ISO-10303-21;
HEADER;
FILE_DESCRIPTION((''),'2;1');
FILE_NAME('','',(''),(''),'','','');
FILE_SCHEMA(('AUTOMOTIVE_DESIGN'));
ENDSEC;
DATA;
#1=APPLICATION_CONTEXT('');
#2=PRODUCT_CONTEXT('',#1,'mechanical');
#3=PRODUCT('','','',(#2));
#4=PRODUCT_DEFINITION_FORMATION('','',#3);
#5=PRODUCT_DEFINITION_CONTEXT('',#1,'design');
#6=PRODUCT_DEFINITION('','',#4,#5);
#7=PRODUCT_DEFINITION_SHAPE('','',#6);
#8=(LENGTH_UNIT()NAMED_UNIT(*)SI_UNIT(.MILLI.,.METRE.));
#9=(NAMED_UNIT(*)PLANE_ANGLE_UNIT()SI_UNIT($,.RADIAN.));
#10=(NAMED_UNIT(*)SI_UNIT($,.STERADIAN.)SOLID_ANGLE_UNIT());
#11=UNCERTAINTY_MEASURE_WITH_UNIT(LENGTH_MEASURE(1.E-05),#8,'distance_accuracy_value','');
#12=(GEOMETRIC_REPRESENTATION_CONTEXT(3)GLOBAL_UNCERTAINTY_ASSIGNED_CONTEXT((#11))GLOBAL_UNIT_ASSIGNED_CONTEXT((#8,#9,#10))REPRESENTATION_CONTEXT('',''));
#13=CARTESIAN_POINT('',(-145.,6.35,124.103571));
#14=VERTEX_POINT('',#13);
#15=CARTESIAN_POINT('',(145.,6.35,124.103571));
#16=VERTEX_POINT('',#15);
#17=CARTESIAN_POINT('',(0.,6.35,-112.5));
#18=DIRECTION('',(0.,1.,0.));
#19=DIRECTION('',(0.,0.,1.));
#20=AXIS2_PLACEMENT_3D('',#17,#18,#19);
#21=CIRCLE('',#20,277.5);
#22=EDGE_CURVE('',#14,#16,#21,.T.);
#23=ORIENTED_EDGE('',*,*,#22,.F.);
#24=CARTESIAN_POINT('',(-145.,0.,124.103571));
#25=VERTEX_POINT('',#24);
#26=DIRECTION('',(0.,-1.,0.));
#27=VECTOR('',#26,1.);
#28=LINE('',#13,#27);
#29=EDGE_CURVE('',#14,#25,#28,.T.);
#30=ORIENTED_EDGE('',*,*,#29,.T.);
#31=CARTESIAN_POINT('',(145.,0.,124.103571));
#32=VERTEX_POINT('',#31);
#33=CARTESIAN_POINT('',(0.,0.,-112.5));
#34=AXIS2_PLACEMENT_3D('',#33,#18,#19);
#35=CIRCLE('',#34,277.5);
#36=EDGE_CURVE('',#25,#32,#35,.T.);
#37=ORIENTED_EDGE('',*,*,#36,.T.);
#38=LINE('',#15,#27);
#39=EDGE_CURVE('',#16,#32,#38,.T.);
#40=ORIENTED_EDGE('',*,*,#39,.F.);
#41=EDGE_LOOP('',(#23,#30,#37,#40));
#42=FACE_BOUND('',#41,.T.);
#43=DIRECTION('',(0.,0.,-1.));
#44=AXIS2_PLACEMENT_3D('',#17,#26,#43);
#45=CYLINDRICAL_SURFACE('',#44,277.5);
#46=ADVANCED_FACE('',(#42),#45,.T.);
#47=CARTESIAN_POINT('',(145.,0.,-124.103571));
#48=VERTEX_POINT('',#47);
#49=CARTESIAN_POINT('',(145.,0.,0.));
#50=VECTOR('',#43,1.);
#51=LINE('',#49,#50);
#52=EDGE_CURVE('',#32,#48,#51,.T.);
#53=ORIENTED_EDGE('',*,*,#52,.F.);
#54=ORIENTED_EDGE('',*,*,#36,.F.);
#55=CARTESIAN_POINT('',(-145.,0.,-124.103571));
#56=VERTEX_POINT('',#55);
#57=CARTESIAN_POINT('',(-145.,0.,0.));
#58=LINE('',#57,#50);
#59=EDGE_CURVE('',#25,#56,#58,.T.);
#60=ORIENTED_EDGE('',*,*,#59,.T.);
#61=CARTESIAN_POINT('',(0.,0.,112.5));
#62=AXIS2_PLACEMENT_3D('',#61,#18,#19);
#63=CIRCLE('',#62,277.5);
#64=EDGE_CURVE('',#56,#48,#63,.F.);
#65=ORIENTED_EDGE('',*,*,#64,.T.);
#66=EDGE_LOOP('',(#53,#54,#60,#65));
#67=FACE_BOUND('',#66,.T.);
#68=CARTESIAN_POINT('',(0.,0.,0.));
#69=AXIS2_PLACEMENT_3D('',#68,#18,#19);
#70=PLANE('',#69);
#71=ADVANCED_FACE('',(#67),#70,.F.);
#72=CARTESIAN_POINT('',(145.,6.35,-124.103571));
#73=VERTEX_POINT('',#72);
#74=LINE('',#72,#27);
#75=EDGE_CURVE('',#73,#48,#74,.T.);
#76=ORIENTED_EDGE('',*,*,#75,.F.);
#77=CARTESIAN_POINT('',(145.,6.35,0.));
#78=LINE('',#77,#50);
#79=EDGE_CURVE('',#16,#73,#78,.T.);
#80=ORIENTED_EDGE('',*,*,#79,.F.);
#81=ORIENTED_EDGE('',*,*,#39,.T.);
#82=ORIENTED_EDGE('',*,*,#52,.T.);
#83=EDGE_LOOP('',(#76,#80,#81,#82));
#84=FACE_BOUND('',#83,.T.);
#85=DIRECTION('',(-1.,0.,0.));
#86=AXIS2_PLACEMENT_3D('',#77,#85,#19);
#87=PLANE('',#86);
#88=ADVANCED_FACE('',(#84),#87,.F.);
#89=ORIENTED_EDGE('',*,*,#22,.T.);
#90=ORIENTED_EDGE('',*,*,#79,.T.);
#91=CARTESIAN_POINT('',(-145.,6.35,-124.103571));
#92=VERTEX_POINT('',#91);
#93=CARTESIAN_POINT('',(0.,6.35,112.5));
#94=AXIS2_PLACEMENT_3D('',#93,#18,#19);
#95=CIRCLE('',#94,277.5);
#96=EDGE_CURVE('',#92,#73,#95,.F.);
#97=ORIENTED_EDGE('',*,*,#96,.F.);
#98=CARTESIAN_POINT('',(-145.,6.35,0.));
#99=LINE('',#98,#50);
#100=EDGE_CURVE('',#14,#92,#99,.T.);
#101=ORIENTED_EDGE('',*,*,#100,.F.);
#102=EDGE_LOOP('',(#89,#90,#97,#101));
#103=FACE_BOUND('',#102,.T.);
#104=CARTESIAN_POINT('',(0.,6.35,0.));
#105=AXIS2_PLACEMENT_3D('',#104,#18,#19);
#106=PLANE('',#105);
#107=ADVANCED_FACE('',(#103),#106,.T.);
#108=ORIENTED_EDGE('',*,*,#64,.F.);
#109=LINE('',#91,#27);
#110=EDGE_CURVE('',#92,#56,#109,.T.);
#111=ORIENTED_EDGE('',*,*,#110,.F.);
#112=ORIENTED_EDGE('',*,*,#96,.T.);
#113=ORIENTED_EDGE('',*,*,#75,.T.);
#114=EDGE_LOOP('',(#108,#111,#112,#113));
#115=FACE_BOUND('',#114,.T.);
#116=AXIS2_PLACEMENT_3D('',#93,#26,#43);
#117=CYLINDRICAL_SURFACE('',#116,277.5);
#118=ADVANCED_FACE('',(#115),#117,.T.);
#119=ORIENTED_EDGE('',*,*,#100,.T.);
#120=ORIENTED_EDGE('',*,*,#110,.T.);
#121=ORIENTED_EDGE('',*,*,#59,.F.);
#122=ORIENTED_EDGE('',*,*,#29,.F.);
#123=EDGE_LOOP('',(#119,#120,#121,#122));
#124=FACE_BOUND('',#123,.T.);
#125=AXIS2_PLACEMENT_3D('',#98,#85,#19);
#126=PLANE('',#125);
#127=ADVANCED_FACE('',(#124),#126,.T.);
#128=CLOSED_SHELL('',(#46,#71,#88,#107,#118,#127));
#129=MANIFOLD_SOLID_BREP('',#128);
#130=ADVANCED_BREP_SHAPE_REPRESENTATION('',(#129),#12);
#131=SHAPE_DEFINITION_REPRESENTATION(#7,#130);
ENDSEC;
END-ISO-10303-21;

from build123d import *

# Parameters (mm, degrees)
BOSS_EXTRU_1_DEPTH = 6.35


with BuildPart() as part:
    # Esquisse1 → Boss.-Extru.1 (new body)
    with BuildSketch(Plane(origin=(0, 0, 0), x_dir=(1, 0, 0), z_dir=(0, 1, 0))):
        with BuildLine():
            Line((-145, -124.103571402), (-145, 124.103571402))
            ThreePointArc((-145, 124.103571402), (0, 165), (145, 124.103571402))
            Line((145, 124.103571402), (145, -124.103571402))
            ThreePointArc((145, -124.103571402), (0, -165), (-145, -124.103571402))
        make_face()
    extrude(amount=BOSS_EXTRU_1_DEPTH)


solid = part.part
